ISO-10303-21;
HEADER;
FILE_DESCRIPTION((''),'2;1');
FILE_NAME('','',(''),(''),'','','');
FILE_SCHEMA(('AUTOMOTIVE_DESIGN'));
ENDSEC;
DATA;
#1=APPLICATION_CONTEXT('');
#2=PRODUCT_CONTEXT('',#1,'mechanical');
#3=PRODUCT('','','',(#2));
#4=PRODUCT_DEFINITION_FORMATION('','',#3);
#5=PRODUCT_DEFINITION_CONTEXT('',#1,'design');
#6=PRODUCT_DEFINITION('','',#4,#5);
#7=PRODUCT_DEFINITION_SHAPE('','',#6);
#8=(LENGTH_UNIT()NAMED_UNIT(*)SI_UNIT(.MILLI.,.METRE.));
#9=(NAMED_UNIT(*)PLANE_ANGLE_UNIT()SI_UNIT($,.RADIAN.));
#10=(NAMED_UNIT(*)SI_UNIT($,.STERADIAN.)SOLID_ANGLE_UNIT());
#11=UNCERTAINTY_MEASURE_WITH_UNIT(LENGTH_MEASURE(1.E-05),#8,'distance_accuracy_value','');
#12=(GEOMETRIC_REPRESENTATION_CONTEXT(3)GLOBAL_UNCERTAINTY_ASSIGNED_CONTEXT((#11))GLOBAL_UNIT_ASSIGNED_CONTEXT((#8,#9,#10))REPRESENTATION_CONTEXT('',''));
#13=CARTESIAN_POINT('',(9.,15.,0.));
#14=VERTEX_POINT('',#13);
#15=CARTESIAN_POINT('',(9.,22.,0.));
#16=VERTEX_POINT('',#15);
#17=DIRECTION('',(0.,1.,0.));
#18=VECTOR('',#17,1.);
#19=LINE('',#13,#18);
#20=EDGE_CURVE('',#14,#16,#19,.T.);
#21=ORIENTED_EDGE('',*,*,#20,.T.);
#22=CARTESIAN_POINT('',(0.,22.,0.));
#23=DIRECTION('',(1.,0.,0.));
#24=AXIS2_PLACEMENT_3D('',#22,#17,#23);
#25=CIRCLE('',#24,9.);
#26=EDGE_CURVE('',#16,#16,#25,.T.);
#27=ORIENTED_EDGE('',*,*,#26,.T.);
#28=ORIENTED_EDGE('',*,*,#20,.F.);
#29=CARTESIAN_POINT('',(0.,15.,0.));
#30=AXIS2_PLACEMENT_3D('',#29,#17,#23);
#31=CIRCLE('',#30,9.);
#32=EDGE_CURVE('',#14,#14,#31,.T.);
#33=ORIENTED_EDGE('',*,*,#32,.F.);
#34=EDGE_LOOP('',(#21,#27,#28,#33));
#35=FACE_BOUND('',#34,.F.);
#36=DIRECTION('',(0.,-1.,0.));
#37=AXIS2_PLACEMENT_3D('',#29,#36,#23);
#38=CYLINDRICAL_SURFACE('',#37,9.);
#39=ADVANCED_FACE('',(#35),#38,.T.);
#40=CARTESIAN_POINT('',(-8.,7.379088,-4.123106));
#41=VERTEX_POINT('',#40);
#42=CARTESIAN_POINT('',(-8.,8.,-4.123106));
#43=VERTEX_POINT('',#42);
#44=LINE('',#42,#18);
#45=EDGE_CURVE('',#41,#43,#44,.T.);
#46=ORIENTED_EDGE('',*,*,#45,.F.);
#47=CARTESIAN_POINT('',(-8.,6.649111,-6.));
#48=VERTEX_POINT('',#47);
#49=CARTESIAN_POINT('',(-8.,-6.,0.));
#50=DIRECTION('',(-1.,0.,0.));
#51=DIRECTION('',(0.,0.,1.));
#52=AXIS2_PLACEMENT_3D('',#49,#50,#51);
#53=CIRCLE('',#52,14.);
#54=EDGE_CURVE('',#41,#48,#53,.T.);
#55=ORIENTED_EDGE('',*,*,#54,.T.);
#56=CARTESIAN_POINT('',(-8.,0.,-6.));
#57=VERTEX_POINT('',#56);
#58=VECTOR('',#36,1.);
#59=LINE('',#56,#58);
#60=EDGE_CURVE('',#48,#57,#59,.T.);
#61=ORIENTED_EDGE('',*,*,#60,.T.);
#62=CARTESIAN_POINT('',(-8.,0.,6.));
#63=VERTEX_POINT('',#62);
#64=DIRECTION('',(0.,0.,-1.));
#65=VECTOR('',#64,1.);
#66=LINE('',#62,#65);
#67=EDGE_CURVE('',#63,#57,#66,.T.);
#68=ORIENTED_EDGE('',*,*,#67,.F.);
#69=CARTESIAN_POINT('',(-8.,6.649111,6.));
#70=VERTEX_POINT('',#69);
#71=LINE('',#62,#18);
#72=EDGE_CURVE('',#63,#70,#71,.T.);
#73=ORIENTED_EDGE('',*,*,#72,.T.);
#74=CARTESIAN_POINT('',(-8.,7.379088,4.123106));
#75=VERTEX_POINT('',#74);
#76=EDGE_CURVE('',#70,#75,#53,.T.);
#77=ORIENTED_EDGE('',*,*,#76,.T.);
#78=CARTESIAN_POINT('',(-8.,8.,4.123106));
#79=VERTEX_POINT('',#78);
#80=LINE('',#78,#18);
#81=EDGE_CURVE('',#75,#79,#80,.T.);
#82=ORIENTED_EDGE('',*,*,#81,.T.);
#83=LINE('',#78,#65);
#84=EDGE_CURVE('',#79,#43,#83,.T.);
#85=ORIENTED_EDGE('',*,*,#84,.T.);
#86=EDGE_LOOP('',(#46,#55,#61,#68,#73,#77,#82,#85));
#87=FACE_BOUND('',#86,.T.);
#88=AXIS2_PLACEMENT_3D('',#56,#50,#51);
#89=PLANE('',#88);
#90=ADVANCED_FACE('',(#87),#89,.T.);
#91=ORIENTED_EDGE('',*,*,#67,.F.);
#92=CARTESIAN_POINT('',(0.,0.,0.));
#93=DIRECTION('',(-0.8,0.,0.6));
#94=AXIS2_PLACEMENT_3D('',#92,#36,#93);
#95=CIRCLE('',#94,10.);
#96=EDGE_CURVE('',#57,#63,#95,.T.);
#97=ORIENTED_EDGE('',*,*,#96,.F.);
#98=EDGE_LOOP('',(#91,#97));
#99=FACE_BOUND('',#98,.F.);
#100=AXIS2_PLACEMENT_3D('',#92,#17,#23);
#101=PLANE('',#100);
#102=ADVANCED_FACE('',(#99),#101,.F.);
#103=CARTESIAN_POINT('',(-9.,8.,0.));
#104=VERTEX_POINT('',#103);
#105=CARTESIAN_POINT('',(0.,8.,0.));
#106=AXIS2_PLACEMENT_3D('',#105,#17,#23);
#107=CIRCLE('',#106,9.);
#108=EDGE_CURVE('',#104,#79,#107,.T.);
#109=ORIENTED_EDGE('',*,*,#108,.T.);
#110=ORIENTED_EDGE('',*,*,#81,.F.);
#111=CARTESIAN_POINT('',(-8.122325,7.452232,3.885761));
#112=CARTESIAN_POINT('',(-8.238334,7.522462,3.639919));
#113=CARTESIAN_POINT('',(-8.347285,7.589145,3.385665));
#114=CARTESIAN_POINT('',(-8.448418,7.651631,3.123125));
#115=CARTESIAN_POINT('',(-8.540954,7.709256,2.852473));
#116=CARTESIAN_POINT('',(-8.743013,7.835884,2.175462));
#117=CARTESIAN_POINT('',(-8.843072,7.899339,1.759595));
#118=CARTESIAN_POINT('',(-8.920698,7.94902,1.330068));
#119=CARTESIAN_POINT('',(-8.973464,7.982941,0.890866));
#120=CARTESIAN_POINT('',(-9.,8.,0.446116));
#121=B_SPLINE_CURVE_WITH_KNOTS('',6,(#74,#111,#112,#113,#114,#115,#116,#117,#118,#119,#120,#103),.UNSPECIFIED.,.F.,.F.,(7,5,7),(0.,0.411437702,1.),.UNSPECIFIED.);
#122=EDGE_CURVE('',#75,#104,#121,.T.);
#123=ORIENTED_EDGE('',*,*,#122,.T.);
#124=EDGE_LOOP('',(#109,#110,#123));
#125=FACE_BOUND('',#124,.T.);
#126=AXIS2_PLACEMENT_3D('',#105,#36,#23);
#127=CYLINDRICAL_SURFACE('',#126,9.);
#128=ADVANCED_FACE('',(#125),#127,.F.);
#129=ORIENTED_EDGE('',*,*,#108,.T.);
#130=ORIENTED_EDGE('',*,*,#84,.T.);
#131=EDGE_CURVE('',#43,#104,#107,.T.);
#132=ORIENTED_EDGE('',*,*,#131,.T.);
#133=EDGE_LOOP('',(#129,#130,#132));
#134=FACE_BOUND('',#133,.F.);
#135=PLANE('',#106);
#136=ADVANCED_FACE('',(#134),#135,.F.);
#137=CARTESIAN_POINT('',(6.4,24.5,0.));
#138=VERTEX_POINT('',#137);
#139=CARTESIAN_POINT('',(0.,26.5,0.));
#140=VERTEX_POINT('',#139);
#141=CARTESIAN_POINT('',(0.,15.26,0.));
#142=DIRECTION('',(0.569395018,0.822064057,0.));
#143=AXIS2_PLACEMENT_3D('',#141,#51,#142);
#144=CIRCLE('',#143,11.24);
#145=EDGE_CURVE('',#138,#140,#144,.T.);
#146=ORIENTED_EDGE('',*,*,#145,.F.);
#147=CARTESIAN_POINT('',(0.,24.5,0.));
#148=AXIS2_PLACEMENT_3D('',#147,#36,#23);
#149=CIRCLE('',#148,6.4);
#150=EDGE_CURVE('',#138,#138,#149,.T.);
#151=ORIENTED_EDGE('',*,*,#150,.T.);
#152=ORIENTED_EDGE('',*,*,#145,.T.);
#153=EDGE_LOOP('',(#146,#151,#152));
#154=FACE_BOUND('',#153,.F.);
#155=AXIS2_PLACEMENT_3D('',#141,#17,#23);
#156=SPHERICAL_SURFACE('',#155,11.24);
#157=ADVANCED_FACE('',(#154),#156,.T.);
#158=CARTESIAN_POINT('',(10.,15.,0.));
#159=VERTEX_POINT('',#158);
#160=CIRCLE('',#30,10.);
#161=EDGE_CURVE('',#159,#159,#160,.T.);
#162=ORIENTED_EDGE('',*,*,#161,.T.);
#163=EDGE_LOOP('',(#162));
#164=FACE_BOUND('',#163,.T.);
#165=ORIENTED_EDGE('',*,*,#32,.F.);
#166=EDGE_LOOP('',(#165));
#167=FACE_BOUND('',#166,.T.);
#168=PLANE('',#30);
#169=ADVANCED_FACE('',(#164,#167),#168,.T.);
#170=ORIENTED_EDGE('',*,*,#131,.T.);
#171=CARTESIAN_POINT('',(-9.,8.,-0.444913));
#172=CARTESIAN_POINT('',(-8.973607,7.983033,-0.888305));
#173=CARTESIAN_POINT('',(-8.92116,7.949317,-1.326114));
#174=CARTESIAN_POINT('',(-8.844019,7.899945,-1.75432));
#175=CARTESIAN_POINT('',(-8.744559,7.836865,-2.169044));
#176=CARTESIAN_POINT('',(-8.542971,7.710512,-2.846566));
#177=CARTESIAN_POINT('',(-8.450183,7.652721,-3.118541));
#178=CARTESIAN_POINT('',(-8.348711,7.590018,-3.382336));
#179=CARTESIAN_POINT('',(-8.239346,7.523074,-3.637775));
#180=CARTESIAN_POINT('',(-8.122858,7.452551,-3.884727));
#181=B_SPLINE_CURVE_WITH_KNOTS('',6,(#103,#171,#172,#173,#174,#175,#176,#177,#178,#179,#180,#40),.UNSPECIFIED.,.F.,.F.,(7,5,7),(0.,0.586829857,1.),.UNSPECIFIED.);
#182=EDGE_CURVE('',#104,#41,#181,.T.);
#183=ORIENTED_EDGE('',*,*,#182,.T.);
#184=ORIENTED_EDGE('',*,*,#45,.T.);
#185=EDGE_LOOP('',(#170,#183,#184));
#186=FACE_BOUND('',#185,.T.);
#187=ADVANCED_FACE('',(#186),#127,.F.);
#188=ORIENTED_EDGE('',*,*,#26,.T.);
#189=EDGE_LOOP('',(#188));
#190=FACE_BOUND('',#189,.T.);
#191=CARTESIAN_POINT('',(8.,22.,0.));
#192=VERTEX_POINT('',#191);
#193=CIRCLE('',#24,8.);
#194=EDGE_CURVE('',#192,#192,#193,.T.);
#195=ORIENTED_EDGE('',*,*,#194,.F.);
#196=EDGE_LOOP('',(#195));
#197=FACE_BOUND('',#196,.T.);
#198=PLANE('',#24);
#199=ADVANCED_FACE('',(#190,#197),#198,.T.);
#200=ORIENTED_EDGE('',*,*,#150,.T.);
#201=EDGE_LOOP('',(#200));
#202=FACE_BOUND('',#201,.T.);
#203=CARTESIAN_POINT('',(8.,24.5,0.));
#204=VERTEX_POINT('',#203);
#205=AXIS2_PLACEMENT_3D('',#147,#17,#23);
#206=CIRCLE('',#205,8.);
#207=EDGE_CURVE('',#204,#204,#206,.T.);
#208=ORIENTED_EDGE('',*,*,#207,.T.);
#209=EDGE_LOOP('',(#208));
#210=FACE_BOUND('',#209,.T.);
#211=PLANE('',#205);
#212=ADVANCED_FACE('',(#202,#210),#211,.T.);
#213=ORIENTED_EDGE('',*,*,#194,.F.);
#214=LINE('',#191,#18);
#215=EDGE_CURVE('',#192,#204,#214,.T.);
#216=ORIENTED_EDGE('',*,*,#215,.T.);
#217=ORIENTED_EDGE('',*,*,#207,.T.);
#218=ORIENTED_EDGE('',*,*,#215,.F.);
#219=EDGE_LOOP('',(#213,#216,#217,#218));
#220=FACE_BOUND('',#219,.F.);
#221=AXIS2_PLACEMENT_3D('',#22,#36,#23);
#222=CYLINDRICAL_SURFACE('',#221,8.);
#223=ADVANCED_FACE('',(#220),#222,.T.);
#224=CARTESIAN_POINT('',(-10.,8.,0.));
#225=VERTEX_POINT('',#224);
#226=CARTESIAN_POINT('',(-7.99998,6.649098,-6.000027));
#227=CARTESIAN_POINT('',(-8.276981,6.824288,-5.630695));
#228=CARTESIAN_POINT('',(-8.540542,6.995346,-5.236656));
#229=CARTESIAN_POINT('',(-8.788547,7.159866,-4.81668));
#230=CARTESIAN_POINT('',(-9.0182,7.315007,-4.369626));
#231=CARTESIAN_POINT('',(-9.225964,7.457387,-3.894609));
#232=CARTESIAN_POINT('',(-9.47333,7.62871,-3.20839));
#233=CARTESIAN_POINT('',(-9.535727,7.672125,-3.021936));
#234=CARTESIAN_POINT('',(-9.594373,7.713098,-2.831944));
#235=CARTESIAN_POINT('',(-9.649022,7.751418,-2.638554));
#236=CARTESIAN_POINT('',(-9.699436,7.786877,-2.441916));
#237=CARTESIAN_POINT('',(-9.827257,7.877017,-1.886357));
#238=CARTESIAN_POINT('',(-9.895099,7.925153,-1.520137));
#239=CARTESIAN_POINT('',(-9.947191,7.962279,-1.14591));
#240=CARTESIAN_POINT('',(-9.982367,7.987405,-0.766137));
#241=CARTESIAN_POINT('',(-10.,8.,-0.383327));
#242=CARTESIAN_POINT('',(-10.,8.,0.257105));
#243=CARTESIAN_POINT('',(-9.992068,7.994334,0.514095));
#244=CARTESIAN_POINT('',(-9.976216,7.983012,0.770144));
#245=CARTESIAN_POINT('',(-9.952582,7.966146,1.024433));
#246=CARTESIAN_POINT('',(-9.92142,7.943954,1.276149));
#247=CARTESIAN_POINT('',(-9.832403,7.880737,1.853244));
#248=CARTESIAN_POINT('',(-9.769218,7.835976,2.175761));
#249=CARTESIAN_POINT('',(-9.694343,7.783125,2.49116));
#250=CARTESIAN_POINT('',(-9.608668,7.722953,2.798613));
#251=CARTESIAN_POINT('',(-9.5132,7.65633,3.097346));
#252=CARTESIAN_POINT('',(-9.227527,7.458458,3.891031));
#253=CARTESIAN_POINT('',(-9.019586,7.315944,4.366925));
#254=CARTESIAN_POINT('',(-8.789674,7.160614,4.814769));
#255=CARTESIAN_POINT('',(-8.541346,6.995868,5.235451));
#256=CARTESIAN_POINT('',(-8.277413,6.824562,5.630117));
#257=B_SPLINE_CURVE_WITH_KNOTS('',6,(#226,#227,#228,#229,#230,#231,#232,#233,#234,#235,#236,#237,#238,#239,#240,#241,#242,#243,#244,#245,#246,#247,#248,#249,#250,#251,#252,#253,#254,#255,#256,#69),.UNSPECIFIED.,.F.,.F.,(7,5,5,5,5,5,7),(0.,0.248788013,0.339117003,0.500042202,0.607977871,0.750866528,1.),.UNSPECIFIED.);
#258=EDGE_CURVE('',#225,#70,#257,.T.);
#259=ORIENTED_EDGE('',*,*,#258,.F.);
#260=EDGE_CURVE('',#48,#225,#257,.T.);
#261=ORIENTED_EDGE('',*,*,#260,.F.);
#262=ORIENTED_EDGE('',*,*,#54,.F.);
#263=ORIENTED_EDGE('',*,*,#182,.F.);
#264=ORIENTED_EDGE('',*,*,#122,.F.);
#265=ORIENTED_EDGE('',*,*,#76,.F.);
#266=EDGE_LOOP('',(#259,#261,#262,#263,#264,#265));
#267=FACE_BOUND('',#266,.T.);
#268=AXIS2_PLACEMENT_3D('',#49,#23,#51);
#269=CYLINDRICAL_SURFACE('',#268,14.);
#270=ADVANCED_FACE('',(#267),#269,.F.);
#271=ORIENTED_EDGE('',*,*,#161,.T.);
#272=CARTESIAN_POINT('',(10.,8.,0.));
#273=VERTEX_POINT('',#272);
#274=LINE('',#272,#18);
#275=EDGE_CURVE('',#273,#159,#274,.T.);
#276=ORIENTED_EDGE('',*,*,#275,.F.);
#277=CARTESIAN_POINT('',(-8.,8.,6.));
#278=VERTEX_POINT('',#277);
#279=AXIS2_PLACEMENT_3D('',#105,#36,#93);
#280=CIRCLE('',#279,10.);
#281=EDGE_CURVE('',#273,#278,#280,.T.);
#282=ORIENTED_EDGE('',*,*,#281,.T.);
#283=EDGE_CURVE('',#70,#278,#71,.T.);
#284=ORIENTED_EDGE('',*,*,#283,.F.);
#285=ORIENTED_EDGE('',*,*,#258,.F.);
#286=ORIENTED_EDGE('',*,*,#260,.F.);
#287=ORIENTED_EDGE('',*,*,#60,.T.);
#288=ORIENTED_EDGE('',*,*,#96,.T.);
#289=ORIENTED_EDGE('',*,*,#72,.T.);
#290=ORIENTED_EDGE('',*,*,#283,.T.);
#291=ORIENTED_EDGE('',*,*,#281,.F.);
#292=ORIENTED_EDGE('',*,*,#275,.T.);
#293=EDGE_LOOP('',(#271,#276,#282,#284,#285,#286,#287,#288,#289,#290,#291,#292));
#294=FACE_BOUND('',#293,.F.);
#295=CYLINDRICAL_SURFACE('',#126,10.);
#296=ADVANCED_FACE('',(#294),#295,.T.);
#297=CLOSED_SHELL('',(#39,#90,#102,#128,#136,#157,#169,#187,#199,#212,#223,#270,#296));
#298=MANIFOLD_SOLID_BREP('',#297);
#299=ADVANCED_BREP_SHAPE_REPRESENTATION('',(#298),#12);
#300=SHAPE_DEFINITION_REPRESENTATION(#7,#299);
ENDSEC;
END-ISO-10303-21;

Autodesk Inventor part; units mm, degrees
ref_plane "YZ Plane" through (0, 0, 0) normal (1, 0, 0) x (0, 1, 0)
ref_plane "XZ Plane" through (0, 0, 0) normal (0, 1, 0) x (-1, 0, 0)
ref_plane "XY Plane" through (0, 0, 0) normal (0, 0, 1) x (1, 0, 0)
sketch "Sketch1" plane through (0, 0, 0) normal (0, 1, 0) x (-1, 0, 0)
  arc A0 (8, 6) -> (8, -6) centre (0, 0) ccw
  arc A1 (7, 5.6569) -> (7, -5.6569) centre (0, 0) ccw
  line L0 (8, 0) -> (8, -6)
  line L1 (8, 6) -> (8, 0)
  line L2 (7, -5.6569) -> (7, 5.6569)
  dimension "d0" = 20
  dimension "d1" = 1
extrude "Extrusion1" add sketch "Sketch1" along normal blind 8
sketch "Sketch2" plane through (0, 0, 0) normal (0, -1, 0) x (1, 0, 0)
  point P0 (0, 0)
sketch "Sketch3" plane through (-8, 0, -6) normal (-1, 0, 0) x (0, 0, 1)
  line L0 (0, 8) -> (12, 8) construction
  line L1 (6, 8) -> (6, -6) construction
  circle A0 centre (6, -6) radius 14
  point P0 (6, 0)
  dimension "d7" = 14
sketch "Sketch4" plane through (0, 8, 0) normal (0, 1, 0) x (1, 0, 0)
  circle A0 centre (0, 0) radius 10
  circle A1 centre (0, 0) radius 9
extrude "Extrusion2" add sketch "Sketch4" against normal blind 8
extrude "Extrusion3" cut sketch "Sketch3" along normal blind 8
sketch "Sketch5" plane through (0, 8, 0) normal (0, 1, 0) x (1, 0, 0)
  circle A0 centre (0, 0) radius 10
  circle A1 centre (0, 0) radius 9
extrude "Extrusion4" add sketch "Sketch5" along normal blind 7
sketch "Sketch6" plane through (0, 15, 0) normal (0, 1, 0) x (1, 0, 0)
  circle A0 centre (0, 0) radius 9
  arc A1 (-7, -5.6569) -> (-7, 5.6569) centre (0, 0) ccw projected
  circle A2 centre (0, 0) radius 8
  dimension "d14" = 16
extrude "Extrusion5" add sketch "Sketch6" against normal up to surface (7 mm away)
sketch "Sketch7" plane through (0, 8, 0) normal (0, -1, 0) x (1, 0, 0)
  arc A0 (-8, 4.1231) -> (-9, 0) centre (0, 0) ccw projected
  circle A1 centre (0, 0) radius 9
  circle A2 centre (0, 0) radius 8
  line L0 (-8, -4.1231) -> (-8, 0) projected
  line L1 (-8, 0) -> (-8, 4.1231) projected
  line L2 (-8, -4.1231) -> (-8, 4.1231)
  line L3 (-7, 5.6569) -> (-7, 3.873) projected
  line L4 (-7, -3.873) -> (-7, -5.6569) projected
  line L5 (-7, 5.6569) -> (-7, -5.6569)
extrude "Extrusion6" add sketch "Sketch7" along normal up to surface (8 mm away) contours A1 L4 A2 L3
sketch "Sketch8" plane through (0, 15, 0) normal (0, 1, 0) x (1, 0, 0)
  circle A0 centre (0, 0) radius 9
  circle A1 centre (0, 0) radius 8
  circle A2 centre (0, 0) radius 9
  dimension "d19" = 18
extrude "Extrusion7" add sketch "Sketch8" along normal blind 7
sketch "Sketch9" plane through (0, 22, 0) normal (0, 1, 0) x (1, 0, 0)
  circle A0 centre (0, 0) radius 8
  circle A1 centre (0, 0) radius 7
  dimension "d22" = 14
extrude "Extrusion8" add sketch "Sketch9" against normal up to surface (22 mm away)
sketch "Sketch10" plane through (0, 22, 0) normal (0, 1, 0) x (1, 0, 0)
  circle A0 centre (0, 0) radius 7
  circle A1 centre (0, 0) radius 7 projected
  circle A2 centre (0, 0) radius 8
  dimension "d25" = 16
extrude "Extrusion9" add sketch "Sketch10" along normal blind 2.5
sketch "Sketch11" plane through (0, 24.5, 0) normal (0, 1, 0) x (1, 0, 0)
  circle A0 centre (0, 0) radius 8
  circle A1 centre (0, 0) radius 7
  circle A2 centre (0, 0) radius 7
extrude "Extrusion10" add sketch "Sketch11" against normal up to surface (24.5 mm away) contours A1
sketch "Sketch13" plane through (0, 0, 0) normal (0, 0, 1) x (1, 0, 0)
  line L0 (0, 24.5) -> (6.4, 24.5)
  line L1 (0, 24.5) -> (6.4, 24.5)
  line L2 (0, 26.5) -> (0, 24.5)
  arc A0 (6.4, 24.5) -> (0, 26.5) centre (0, 15.26) ccw
  line L3 (0, 0) -> (0, 24.5)
  line L4 (8, 24.5) -> (-8, 24.5) projected
revolve "Revolution1" add sketch "Sketch13" angle 360 about axis through (0, 26.5, 0) along (0, -1, 0)
properties part number "button 3"
